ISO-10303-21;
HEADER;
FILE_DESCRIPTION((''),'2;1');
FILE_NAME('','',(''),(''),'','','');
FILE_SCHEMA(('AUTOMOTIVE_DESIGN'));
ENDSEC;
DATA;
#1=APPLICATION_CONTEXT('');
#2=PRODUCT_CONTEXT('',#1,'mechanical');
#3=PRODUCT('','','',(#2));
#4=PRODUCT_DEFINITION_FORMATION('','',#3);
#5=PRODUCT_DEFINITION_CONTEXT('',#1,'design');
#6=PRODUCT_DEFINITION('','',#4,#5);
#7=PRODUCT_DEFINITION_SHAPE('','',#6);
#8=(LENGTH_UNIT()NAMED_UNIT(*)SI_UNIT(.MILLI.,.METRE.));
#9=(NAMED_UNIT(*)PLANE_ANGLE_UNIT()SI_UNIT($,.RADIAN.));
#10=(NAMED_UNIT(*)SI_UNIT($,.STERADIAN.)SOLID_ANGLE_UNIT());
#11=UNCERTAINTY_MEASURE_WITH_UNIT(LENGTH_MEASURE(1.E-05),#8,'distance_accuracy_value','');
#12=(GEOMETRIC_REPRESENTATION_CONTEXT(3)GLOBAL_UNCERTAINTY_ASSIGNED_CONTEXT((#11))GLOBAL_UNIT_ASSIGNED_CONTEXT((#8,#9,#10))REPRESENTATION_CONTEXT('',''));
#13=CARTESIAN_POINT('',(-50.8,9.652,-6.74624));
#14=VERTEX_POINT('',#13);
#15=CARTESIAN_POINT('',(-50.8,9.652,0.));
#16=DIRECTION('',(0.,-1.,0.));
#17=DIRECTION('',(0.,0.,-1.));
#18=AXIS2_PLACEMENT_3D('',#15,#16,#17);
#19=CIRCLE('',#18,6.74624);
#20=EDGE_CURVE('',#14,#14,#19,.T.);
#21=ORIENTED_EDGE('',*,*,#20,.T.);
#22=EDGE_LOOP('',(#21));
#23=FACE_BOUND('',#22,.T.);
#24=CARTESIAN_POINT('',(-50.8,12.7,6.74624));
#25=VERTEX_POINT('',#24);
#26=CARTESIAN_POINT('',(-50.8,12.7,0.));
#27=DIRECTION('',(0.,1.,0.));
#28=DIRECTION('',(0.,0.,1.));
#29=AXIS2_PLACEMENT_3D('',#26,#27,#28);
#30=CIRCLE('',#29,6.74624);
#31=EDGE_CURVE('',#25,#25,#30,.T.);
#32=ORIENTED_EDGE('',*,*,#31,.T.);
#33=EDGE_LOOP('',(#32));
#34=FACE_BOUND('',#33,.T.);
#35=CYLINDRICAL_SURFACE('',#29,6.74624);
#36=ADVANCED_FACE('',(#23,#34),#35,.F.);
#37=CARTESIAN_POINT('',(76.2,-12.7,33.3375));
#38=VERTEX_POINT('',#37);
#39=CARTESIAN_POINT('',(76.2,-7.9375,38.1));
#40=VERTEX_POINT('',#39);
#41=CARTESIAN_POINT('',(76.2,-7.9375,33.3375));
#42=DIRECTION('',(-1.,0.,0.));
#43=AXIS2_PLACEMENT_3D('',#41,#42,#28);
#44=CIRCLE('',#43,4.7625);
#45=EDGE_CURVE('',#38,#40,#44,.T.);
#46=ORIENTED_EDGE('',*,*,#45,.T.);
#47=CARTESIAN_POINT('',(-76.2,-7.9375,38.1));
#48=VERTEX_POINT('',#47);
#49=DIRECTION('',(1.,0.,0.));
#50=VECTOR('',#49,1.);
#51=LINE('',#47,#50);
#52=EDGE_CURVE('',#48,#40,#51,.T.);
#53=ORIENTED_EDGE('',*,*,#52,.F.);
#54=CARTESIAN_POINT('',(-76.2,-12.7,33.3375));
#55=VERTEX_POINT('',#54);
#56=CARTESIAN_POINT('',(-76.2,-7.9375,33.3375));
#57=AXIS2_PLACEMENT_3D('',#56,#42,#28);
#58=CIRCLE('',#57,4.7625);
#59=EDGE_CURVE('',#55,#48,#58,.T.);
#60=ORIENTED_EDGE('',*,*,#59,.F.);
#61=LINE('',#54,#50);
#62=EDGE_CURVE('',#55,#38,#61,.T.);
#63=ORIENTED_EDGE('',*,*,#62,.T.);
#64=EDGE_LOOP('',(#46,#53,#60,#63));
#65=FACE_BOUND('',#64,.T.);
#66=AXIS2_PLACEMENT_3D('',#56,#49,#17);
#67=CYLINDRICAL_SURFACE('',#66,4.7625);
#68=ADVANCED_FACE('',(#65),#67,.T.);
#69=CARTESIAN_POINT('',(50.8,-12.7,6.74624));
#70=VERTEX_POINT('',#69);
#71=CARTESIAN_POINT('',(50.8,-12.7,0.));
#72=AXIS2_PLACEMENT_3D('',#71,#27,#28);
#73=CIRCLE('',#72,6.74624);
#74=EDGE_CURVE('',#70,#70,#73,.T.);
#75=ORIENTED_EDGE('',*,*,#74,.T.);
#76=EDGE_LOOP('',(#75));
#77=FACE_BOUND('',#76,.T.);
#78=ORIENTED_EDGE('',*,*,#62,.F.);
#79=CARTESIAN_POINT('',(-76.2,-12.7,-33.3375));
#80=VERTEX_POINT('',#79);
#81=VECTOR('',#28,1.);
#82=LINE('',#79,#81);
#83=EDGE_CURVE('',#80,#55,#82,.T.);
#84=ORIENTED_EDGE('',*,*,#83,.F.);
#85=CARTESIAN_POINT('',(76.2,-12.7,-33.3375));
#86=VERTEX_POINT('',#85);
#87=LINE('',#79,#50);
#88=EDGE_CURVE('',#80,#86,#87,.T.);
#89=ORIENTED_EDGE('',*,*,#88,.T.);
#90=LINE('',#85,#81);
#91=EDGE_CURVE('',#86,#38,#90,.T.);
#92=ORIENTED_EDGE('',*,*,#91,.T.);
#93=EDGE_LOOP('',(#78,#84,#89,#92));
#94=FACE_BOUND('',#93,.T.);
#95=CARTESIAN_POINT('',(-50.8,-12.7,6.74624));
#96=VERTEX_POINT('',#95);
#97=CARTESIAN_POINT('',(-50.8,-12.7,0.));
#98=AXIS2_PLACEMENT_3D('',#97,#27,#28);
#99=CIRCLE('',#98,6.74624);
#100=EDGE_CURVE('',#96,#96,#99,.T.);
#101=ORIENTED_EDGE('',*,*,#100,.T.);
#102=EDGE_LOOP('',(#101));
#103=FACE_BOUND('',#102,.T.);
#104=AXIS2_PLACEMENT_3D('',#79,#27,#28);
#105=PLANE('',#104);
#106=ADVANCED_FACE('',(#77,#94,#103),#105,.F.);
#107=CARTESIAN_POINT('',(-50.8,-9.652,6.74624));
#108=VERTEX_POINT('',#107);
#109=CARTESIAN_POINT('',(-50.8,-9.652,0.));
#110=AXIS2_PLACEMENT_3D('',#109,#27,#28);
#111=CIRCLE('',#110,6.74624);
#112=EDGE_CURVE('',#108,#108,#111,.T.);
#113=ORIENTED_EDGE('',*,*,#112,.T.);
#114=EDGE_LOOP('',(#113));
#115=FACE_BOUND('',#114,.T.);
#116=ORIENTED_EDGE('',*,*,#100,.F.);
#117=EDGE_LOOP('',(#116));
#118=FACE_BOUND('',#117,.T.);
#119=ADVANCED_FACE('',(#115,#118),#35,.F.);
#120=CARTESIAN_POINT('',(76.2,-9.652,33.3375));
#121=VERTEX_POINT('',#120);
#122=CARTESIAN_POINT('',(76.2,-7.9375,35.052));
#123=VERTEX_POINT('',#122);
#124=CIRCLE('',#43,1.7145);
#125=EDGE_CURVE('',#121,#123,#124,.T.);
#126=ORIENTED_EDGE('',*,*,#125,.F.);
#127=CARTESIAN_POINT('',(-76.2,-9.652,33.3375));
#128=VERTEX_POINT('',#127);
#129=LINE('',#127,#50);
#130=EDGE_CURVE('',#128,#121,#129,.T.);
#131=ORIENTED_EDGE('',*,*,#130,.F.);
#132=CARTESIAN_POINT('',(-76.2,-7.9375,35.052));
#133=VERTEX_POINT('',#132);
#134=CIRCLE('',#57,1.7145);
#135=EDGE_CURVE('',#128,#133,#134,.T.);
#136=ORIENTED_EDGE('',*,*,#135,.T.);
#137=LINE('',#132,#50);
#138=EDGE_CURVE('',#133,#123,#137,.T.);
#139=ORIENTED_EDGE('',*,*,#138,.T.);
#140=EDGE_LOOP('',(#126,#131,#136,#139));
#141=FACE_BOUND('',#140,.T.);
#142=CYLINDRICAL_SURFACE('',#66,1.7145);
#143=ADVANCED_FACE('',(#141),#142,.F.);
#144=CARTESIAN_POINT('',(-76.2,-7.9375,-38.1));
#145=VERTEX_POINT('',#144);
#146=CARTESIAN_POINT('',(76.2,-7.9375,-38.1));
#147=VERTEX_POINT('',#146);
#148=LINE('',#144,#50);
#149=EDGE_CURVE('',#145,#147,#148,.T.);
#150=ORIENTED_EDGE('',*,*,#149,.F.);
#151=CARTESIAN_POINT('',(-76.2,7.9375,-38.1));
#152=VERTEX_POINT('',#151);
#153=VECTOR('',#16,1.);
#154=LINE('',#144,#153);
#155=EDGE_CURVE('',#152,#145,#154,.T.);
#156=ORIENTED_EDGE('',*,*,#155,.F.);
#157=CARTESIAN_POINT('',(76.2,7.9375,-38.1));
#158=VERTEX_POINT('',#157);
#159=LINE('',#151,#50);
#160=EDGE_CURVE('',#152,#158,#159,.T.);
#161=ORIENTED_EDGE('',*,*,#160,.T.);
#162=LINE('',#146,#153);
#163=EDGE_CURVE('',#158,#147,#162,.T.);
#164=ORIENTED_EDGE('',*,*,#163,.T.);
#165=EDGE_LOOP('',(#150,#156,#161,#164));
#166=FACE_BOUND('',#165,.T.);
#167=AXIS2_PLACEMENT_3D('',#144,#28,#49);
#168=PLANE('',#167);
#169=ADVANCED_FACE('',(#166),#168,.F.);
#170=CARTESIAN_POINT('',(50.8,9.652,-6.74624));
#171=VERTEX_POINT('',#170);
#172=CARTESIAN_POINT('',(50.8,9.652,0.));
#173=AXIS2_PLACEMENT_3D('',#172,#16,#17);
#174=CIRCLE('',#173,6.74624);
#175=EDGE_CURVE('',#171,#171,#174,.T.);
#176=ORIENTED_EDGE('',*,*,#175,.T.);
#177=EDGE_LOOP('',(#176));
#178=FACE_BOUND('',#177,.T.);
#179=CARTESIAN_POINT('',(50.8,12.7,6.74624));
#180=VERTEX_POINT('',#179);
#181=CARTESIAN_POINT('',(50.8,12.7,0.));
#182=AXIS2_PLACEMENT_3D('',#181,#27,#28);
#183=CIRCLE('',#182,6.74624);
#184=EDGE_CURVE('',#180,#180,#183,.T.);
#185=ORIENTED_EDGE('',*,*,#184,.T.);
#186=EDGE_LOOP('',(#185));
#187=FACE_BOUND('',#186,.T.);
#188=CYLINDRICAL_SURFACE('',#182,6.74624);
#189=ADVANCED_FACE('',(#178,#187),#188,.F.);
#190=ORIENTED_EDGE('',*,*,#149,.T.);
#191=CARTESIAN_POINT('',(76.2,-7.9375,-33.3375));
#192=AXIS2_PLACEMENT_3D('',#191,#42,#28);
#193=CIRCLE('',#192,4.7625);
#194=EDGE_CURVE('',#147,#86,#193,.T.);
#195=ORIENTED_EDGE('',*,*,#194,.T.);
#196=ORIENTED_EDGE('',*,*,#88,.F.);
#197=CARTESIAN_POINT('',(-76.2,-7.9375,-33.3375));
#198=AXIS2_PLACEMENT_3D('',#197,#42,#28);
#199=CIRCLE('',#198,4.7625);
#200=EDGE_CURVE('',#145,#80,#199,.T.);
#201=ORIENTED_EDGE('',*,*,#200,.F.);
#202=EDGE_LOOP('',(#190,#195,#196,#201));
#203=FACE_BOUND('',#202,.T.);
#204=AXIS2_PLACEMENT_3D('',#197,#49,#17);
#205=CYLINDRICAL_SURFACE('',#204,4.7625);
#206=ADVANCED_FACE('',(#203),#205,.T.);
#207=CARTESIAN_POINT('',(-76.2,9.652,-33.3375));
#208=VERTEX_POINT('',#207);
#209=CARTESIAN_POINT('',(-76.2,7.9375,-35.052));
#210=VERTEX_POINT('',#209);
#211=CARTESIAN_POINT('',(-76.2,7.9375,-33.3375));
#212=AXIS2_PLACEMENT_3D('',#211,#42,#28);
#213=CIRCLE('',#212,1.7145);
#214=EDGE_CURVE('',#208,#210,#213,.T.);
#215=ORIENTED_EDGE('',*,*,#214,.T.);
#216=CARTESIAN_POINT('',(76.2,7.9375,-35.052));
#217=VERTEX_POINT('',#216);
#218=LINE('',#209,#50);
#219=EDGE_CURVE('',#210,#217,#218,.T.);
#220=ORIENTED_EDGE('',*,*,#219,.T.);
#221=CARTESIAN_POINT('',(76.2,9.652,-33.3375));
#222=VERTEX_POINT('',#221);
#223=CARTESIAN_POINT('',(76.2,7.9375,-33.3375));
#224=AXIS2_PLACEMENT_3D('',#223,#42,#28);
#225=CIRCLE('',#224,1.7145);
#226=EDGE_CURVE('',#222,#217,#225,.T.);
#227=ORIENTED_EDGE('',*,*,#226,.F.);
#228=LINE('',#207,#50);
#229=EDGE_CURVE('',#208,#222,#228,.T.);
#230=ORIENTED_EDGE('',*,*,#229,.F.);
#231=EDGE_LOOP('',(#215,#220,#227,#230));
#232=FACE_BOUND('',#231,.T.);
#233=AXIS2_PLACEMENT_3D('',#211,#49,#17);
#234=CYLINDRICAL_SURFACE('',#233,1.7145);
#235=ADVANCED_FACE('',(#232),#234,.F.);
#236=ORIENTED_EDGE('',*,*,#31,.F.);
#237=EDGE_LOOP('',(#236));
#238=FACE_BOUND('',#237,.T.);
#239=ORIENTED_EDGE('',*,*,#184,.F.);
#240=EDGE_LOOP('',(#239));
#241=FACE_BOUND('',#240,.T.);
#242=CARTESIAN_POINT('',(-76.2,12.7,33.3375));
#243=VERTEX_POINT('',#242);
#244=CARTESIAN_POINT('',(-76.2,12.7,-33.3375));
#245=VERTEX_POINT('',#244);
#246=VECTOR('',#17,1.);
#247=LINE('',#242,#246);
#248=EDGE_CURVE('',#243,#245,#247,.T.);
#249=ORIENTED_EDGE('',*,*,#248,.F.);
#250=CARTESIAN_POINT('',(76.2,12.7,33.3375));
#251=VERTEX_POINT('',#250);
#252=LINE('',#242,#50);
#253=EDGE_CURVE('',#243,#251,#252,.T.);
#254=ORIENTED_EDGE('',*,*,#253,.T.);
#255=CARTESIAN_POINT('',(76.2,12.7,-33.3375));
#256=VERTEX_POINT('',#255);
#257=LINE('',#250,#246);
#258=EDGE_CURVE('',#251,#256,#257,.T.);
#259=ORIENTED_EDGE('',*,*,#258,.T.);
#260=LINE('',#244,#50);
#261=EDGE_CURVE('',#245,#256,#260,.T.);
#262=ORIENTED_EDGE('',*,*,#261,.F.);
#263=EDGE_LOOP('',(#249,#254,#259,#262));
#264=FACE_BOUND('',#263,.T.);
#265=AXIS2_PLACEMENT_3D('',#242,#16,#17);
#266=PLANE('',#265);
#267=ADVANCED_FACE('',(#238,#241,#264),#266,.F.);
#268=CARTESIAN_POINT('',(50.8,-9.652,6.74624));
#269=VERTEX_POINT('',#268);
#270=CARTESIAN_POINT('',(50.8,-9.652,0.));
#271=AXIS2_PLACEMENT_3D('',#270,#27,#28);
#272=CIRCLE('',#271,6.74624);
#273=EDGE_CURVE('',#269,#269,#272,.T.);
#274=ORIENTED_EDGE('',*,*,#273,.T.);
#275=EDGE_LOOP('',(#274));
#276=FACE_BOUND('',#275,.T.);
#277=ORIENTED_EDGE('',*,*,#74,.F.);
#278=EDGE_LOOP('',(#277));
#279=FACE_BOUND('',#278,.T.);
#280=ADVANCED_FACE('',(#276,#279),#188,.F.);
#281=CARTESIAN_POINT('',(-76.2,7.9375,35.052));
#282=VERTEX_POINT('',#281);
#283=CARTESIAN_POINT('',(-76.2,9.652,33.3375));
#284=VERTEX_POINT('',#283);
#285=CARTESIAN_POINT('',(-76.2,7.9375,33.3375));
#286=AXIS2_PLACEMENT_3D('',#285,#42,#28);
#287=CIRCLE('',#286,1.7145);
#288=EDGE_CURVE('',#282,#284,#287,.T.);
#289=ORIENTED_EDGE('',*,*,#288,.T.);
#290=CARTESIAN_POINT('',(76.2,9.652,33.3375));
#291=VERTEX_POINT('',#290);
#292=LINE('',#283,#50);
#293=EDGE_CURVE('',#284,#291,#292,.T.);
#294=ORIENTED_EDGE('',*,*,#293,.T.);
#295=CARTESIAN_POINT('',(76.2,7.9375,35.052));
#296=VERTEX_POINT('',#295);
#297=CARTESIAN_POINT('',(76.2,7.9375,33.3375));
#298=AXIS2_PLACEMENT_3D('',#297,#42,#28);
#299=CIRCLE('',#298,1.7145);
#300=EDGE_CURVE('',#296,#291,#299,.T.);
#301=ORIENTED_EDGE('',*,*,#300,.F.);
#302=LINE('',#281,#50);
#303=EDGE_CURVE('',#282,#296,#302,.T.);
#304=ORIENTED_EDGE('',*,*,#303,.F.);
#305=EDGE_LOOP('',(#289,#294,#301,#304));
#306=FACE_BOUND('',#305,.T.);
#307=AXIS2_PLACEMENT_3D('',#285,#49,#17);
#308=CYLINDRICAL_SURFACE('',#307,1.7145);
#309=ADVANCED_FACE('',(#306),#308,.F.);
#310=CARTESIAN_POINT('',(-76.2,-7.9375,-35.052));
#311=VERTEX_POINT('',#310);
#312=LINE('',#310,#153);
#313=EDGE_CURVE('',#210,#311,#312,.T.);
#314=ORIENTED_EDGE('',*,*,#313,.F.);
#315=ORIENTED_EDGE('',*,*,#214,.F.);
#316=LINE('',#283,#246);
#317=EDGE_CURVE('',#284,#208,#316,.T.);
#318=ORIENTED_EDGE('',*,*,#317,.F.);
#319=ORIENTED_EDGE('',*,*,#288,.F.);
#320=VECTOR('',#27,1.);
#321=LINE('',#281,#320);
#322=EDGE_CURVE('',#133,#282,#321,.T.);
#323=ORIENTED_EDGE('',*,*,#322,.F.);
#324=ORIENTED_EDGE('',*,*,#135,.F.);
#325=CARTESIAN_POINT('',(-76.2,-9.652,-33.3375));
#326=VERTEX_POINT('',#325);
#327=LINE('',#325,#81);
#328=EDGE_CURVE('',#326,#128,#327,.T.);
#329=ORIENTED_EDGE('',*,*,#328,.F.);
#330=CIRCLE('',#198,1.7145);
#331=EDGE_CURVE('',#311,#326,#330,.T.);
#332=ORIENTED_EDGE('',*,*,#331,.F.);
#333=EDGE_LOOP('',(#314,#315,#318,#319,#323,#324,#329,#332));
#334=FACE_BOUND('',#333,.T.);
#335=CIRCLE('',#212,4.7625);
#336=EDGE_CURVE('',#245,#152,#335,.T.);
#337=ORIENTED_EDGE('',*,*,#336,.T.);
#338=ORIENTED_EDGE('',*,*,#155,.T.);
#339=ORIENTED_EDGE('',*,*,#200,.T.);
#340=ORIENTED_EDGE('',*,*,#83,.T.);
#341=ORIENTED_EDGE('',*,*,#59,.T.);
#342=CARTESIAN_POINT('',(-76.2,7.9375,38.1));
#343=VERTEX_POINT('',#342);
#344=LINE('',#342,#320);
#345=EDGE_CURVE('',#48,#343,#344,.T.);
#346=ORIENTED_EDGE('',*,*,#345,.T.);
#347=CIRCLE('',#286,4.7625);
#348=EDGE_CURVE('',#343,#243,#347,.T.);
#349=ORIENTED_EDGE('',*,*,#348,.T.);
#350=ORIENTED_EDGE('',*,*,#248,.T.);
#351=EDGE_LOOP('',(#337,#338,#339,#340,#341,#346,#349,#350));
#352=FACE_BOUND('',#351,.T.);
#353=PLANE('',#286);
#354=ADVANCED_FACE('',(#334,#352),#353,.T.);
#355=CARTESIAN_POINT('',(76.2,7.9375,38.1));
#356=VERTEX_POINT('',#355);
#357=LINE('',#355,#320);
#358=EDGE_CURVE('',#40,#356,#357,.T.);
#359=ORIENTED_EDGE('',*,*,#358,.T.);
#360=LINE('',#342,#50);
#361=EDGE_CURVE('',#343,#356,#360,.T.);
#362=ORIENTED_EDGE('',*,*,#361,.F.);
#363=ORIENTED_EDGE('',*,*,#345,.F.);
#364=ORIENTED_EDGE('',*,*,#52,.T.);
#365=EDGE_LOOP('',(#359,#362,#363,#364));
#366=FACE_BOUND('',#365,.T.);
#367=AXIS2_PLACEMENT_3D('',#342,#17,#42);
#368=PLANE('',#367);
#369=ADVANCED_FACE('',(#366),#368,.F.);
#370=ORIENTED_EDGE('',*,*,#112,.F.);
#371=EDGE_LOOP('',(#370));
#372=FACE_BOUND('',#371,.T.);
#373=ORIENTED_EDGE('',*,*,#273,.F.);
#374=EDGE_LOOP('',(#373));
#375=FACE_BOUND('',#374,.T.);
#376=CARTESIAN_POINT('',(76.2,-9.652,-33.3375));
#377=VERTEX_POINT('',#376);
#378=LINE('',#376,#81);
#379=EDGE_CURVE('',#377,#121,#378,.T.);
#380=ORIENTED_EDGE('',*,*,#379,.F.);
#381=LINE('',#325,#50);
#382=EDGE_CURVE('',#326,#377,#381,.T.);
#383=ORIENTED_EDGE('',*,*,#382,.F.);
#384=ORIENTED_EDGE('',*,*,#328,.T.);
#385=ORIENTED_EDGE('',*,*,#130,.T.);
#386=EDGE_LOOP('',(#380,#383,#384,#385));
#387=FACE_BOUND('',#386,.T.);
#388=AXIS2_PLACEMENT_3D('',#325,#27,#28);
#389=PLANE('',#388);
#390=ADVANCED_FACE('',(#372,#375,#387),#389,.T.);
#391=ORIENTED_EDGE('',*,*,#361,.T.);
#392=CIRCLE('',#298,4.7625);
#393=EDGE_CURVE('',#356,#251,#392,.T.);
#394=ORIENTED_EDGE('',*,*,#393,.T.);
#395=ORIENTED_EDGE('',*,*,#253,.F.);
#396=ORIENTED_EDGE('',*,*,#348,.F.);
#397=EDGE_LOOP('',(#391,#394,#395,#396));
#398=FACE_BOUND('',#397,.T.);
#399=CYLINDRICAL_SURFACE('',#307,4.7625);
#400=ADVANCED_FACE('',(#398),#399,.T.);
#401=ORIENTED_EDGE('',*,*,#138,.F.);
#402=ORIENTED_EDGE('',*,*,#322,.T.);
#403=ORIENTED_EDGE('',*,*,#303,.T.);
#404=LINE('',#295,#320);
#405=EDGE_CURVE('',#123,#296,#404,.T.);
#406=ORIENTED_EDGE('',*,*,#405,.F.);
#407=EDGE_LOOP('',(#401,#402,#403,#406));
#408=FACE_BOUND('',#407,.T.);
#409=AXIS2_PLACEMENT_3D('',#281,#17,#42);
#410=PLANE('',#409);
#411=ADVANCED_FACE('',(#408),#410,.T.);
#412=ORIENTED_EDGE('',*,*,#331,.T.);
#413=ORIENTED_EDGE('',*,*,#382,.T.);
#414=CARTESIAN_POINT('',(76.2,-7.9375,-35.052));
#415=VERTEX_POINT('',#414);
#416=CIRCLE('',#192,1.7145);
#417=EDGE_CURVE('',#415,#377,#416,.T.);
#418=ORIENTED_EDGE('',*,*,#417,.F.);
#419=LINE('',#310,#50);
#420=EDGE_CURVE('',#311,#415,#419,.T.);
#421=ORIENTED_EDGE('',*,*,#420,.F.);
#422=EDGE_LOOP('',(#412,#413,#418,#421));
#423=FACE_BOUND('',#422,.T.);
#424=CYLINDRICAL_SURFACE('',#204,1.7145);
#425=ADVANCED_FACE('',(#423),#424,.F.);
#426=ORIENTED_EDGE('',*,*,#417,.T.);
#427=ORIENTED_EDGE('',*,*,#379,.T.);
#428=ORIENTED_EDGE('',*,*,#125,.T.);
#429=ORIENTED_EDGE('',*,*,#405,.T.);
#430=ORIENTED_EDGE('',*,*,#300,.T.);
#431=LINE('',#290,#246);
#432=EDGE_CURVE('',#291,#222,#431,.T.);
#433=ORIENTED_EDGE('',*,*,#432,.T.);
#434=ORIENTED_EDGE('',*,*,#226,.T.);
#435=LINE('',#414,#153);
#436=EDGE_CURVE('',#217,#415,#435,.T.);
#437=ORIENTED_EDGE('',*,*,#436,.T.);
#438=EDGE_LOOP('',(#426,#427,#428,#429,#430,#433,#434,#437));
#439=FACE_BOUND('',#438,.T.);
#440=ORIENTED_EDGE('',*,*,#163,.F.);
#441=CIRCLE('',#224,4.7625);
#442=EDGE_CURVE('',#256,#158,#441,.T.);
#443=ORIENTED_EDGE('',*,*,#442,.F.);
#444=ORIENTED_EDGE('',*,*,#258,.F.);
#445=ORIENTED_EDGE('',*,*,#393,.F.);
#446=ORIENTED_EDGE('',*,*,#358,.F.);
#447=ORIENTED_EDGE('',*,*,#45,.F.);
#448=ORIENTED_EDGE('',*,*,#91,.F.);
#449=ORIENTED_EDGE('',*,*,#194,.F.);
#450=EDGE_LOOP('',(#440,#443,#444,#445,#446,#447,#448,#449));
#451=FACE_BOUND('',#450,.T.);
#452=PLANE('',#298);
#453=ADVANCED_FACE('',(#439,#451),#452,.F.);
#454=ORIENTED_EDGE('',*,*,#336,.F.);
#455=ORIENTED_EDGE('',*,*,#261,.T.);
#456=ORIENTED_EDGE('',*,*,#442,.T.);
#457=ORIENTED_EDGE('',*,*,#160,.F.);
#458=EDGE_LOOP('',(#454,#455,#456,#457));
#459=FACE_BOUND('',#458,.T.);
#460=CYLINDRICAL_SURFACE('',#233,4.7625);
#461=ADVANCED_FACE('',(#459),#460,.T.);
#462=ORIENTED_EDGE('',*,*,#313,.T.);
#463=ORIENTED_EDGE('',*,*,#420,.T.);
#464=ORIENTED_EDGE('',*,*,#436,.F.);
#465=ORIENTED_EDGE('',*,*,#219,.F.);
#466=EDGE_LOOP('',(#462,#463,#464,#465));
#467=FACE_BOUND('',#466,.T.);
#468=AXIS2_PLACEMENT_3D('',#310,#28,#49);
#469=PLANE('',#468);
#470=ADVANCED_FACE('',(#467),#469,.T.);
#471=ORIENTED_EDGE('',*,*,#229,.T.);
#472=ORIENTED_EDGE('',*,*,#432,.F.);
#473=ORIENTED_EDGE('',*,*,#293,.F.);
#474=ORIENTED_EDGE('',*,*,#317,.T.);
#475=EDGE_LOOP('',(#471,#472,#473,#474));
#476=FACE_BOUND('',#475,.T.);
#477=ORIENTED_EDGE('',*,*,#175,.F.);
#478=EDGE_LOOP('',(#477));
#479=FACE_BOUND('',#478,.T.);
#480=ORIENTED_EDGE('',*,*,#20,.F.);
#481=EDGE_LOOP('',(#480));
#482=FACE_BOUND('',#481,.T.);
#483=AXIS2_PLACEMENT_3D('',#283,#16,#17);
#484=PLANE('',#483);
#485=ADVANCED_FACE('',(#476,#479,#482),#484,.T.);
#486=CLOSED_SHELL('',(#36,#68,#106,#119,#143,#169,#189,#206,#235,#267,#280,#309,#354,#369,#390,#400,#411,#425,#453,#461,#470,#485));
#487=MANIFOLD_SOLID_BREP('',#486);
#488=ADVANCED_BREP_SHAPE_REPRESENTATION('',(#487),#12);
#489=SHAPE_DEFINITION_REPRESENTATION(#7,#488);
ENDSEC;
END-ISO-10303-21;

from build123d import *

# Parameters (mm, degrees)
RECTANGULAR_TUBE_3_X_2_X_0_25_1_DEPTH = 152.4
F_1_2_CLEARANCE_HOLE1_D               = 13.49248


with BuildPart() as part:
    # Sketch16 → Rectangular tube 3 X 2 X 0.25(1) (new body)
    with BuildSketch(Plane.ZY.offset(-76.2)):
        with BuildLine():
            Line((-33.3375, -12.7), (33.3375, -12.7))
            ThreePointArc((33.3375, -12.7), (36.705096045, -11.305096045), (38.1, -7.9375))
            Line((38.1, -7.9375), (38.1, 7.9375))
            ThreePointArc((38.1, 7.9375), (36.705096045, 11.305096045), (33.3375, 12.7))
            Line((33.3375, 12.7), (-33.3375, 12.7))
            ThreePointArc((-33.3375, 12.7), (-36.705096045, 11.305096045), (-38.1, 7.9375))
            Line((-38.1, 7.9375), (-38.1, -7.9375))
            ThreePointArc((-38.1, -7.9375), (-36.705096045, -11.305096045), (-33.3375, -12.7))
        make_face()
        with BuildLine():
            Line((-33.3375, -9.652), (33.3375, -9.652))
            ThreePointArc((33.3375, -9.652), (34.549834576, -9.149834576), (35.052, -7.9375))
            Line((35.052, -7.9375), (35.052, 7.9375))
            ThreePointArc((35.052, 7.9375), (34.549834576, 9.149834576), (33.3375, 9.652))
            Line((33.3375, 9.652), (-33.3375, 9.652))
            ThreePointArc((-33.3375, 9.652), (-34.549834576, 9.149834576), (-35.052, 7.9375))
            Line((-35.052, 7.9375), (-35.052, -7.9375))
            ThreePointArc((-35.052, -7.9375), (-34.549834576, -9.149834576), (-33.3375, -9.652))
        make_face(mode=Mode.SUBTRACT)
    extrude(amount=RECTANGULAR_TUBE_3_X_2_X_0_25_1_DEPTH)

    # 1/2 Clearance Hole1 (through all)
    with Locations(Plane(origin=(0, 12.7, 0), x_dir=(1, 0, 0), z_dir=(0, 1, 0))):
        with Locations((-50.8, 0), (50.8, 0)):
            Hole(F_1_2_CLEARANCE_HOLE1_D / 2)


solid = part.part
